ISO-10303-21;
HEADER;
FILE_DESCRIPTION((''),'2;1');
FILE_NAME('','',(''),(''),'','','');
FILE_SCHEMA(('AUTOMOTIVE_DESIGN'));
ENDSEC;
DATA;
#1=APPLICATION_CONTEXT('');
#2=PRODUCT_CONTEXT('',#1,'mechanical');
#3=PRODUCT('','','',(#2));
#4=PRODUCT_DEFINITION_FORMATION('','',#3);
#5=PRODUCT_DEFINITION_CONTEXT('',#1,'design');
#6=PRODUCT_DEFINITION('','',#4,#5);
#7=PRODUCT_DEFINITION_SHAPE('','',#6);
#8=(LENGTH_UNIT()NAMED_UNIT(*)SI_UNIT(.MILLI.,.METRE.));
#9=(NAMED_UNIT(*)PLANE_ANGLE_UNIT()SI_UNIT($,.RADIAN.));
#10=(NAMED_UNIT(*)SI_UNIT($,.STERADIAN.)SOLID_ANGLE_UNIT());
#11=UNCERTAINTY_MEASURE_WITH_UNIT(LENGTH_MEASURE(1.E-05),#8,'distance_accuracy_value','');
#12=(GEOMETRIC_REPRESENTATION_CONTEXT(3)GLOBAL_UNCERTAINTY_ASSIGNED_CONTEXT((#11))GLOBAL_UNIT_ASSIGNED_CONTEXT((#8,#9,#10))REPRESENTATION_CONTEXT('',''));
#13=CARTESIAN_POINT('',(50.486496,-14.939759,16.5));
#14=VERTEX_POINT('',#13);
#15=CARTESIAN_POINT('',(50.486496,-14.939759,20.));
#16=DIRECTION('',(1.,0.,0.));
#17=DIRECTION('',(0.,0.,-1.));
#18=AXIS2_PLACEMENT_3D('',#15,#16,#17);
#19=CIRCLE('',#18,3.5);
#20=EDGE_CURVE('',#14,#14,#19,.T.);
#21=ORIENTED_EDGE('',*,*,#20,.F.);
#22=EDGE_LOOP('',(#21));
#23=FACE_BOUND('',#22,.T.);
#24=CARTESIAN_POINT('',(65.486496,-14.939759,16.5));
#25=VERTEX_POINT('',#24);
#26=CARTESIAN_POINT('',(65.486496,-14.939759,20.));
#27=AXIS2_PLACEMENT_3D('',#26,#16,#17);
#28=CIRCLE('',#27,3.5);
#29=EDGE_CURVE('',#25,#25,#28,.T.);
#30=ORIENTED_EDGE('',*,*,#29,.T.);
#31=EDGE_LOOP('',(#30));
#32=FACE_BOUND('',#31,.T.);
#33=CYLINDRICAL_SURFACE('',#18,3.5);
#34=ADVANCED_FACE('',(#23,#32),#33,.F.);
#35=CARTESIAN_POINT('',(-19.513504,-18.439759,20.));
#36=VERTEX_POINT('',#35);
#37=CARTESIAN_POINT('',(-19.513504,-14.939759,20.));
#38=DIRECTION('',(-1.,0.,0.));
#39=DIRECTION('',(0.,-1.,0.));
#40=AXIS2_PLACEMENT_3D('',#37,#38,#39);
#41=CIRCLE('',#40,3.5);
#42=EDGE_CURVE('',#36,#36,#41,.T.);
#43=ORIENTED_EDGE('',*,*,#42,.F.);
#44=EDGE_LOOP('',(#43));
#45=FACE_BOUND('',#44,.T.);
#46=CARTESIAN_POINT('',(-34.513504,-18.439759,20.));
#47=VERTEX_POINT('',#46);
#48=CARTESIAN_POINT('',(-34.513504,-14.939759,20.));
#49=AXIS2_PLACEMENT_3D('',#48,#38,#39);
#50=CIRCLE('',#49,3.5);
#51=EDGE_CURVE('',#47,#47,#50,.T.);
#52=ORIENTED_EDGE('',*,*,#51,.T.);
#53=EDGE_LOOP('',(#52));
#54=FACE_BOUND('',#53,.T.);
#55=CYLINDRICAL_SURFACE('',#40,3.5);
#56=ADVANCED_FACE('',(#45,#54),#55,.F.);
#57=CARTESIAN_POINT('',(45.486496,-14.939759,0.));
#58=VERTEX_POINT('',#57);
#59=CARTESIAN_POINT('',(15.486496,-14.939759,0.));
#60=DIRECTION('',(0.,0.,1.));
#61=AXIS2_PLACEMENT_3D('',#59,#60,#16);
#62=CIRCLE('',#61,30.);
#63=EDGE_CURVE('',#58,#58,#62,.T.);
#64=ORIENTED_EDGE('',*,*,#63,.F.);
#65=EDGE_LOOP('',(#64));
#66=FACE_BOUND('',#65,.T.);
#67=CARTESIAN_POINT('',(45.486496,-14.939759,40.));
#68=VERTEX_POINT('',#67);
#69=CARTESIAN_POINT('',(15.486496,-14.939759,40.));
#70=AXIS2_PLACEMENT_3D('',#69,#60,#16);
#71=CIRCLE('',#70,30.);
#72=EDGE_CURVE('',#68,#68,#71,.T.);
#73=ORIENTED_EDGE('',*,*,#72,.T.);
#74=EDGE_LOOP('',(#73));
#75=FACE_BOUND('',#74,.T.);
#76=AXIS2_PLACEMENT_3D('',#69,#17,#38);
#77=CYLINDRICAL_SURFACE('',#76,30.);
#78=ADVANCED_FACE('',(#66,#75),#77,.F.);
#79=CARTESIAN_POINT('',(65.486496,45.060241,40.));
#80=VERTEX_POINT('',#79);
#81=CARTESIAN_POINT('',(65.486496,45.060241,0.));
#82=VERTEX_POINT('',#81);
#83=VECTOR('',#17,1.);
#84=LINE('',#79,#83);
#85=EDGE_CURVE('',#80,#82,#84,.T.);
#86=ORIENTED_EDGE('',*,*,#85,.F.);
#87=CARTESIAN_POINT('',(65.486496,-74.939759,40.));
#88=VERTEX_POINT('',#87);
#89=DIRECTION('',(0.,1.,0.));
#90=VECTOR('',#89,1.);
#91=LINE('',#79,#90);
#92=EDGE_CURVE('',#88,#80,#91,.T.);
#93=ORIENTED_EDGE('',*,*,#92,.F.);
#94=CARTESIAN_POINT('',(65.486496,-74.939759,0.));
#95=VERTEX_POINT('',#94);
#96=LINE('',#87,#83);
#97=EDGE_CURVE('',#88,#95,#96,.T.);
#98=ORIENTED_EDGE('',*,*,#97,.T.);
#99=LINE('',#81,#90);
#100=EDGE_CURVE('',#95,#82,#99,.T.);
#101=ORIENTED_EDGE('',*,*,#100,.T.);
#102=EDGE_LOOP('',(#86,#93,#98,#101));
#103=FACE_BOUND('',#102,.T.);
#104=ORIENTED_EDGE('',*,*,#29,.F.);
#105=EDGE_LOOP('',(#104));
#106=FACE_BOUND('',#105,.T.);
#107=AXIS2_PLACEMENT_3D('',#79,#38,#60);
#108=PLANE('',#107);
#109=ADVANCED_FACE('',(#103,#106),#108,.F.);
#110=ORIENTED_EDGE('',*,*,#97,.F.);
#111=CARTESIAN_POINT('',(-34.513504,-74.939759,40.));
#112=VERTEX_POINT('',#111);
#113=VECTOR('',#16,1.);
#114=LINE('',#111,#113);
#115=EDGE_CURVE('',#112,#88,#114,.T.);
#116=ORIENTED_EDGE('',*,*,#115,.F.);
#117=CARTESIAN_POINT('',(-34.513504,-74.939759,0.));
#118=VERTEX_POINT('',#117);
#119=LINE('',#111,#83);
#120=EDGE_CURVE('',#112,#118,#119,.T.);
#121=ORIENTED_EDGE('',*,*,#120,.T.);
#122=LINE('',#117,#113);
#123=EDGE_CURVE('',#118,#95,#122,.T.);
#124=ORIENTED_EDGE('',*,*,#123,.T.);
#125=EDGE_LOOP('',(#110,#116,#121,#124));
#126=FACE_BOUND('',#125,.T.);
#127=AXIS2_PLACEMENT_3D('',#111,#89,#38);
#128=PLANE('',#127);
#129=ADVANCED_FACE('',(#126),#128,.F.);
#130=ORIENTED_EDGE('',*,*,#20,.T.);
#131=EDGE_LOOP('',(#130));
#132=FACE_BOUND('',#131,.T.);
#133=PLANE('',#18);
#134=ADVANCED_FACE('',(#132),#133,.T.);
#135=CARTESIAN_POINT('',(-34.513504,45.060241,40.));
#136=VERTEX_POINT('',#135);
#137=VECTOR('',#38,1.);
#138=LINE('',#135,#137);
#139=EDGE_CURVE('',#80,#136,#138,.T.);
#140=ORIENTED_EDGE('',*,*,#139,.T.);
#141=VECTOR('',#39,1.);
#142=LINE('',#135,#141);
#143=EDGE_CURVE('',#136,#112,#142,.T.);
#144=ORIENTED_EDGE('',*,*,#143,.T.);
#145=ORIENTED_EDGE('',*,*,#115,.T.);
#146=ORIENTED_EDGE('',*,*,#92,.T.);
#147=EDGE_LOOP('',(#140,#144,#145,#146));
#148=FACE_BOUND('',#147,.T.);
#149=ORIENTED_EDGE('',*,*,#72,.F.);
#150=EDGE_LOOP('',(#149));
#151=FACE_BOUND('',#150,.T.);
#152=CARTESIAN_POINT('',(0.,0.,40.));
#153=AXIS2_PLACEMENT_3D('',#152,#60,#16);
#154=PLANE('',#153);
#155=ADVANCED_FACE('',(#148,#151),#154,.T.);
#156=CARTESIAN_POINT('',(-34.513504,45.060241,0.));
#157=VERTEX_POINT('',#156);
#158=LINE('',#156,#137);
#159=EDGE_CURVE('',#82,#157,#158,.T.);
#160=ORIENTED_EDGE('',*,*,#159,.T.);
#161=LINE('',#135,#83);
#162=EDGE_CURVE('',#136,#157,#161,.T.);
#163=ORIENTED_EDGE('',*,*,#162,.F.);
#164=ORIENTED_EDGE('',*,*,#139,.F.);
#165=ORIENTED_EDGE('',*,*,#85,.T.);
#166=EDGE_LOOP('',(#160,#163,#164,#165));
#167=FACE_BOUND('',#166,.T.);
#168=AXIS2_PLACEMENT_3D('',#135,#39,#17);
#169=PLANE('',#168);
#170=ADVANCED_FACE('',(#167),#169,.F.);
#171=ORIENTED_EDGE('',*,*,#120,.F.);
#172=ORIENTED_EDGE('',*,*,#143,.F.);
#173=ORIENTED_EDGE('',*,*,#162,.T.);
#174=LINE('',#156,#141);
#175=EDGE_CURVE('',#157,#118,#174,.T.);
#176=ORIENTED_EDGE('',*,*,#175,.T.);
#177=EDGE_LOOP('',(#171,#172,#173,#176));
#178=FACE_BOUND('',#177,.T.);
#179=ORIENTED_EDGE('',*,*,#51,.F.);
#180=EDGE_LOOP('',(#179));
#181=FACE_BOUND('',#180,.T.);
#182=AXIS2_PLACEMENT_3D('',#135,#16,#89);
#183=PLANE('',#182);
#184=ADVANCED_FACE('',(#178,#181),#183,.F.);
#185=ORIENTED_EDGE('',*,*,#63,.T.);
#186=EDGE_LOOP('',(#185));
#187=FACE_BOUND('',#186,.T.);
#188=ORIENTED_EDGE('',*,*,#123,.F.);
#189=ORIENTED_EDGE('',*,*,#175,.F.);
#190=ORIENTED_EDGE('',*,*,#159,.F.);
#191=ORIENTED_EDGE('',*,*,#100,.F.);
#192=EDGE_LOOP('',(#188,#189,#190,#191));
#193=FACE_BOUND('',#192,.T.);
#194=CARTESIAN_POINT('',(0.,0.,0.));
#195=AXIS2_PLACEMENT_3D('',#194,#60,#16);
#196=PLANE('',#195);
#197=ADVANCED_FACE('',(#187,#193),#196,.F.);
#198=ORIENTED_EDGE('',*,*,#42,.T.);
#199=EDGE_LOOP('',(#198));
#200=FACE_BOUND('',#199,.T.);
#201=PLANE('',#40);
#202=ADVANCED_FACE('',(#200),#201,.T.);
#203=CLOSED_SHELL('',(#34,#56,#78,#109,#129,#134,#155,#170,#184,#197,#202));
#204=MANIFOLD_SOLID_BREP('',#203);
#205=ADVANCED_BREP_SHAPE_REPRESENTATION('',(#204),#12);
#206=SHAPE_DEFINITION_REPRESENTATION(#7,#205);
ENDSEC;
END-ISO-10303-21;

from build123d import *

# Parameters (mm, degrees)
SKETCH1_W           = 100
SKETCH1_H           = 120
SKETCH1_R           = 30
BOSS_EXTRUDE1_DEPTH = 40
SKETCH2_R           = 3.5
CUT_EXTRUDE1_DEPTH  = 15
CUT_EXTRUDE2_START  = -15
SKETCH3_R           = 3.5
CUT_EXTRUDE2_DEPTH  = 15


with BuildPart() as part:
    # Sketch1 → Boss-Extrude1 (new body)
    with BuildSketch(Plane.XY):
        with Locations((15.48649625, -14.939759036)):
            Rectangle(SKETCH1_W, SKETCH1_H)
        with Locations((15.48649625, -14.939759036)):
            Circle(SKETCH1_R, mode=Mode.SUBTRACT)
    extrude(amount=BOSS_EXTRUDE1_DEPTH)

    # Sketch2 → Cut-Extrude1 (cut)
    with BuildSketch(Plane.ZY.offset(34.51350375)):
        with Locations(Location((20, -14.939759036, 0), (0, 0, 270))):
            Circle(SKETCH2_R)
    extrude(amount=-CUT_EXTRUDE1_DEPTH, mode=Mode.SUBTRACT)

    # Sketch3 → Cut-Extrude2 (cut)
    with BuildSketch(Plane(origin=(65.48649625, 0, 0), x_dir=(0, 0, -1), z_dir=(1, 0, 0)).offset(CUT_EXTRUDE2_START)):
        with Locations(Location((-20, -14.939759036, 0), (0, 0, 270))):
            Circle(SKETCH3_R)
    extrude(amount=CUT_EXTRUDE2_DEPTH, mode=Mode.SUBTRACT)


solid = part.part
